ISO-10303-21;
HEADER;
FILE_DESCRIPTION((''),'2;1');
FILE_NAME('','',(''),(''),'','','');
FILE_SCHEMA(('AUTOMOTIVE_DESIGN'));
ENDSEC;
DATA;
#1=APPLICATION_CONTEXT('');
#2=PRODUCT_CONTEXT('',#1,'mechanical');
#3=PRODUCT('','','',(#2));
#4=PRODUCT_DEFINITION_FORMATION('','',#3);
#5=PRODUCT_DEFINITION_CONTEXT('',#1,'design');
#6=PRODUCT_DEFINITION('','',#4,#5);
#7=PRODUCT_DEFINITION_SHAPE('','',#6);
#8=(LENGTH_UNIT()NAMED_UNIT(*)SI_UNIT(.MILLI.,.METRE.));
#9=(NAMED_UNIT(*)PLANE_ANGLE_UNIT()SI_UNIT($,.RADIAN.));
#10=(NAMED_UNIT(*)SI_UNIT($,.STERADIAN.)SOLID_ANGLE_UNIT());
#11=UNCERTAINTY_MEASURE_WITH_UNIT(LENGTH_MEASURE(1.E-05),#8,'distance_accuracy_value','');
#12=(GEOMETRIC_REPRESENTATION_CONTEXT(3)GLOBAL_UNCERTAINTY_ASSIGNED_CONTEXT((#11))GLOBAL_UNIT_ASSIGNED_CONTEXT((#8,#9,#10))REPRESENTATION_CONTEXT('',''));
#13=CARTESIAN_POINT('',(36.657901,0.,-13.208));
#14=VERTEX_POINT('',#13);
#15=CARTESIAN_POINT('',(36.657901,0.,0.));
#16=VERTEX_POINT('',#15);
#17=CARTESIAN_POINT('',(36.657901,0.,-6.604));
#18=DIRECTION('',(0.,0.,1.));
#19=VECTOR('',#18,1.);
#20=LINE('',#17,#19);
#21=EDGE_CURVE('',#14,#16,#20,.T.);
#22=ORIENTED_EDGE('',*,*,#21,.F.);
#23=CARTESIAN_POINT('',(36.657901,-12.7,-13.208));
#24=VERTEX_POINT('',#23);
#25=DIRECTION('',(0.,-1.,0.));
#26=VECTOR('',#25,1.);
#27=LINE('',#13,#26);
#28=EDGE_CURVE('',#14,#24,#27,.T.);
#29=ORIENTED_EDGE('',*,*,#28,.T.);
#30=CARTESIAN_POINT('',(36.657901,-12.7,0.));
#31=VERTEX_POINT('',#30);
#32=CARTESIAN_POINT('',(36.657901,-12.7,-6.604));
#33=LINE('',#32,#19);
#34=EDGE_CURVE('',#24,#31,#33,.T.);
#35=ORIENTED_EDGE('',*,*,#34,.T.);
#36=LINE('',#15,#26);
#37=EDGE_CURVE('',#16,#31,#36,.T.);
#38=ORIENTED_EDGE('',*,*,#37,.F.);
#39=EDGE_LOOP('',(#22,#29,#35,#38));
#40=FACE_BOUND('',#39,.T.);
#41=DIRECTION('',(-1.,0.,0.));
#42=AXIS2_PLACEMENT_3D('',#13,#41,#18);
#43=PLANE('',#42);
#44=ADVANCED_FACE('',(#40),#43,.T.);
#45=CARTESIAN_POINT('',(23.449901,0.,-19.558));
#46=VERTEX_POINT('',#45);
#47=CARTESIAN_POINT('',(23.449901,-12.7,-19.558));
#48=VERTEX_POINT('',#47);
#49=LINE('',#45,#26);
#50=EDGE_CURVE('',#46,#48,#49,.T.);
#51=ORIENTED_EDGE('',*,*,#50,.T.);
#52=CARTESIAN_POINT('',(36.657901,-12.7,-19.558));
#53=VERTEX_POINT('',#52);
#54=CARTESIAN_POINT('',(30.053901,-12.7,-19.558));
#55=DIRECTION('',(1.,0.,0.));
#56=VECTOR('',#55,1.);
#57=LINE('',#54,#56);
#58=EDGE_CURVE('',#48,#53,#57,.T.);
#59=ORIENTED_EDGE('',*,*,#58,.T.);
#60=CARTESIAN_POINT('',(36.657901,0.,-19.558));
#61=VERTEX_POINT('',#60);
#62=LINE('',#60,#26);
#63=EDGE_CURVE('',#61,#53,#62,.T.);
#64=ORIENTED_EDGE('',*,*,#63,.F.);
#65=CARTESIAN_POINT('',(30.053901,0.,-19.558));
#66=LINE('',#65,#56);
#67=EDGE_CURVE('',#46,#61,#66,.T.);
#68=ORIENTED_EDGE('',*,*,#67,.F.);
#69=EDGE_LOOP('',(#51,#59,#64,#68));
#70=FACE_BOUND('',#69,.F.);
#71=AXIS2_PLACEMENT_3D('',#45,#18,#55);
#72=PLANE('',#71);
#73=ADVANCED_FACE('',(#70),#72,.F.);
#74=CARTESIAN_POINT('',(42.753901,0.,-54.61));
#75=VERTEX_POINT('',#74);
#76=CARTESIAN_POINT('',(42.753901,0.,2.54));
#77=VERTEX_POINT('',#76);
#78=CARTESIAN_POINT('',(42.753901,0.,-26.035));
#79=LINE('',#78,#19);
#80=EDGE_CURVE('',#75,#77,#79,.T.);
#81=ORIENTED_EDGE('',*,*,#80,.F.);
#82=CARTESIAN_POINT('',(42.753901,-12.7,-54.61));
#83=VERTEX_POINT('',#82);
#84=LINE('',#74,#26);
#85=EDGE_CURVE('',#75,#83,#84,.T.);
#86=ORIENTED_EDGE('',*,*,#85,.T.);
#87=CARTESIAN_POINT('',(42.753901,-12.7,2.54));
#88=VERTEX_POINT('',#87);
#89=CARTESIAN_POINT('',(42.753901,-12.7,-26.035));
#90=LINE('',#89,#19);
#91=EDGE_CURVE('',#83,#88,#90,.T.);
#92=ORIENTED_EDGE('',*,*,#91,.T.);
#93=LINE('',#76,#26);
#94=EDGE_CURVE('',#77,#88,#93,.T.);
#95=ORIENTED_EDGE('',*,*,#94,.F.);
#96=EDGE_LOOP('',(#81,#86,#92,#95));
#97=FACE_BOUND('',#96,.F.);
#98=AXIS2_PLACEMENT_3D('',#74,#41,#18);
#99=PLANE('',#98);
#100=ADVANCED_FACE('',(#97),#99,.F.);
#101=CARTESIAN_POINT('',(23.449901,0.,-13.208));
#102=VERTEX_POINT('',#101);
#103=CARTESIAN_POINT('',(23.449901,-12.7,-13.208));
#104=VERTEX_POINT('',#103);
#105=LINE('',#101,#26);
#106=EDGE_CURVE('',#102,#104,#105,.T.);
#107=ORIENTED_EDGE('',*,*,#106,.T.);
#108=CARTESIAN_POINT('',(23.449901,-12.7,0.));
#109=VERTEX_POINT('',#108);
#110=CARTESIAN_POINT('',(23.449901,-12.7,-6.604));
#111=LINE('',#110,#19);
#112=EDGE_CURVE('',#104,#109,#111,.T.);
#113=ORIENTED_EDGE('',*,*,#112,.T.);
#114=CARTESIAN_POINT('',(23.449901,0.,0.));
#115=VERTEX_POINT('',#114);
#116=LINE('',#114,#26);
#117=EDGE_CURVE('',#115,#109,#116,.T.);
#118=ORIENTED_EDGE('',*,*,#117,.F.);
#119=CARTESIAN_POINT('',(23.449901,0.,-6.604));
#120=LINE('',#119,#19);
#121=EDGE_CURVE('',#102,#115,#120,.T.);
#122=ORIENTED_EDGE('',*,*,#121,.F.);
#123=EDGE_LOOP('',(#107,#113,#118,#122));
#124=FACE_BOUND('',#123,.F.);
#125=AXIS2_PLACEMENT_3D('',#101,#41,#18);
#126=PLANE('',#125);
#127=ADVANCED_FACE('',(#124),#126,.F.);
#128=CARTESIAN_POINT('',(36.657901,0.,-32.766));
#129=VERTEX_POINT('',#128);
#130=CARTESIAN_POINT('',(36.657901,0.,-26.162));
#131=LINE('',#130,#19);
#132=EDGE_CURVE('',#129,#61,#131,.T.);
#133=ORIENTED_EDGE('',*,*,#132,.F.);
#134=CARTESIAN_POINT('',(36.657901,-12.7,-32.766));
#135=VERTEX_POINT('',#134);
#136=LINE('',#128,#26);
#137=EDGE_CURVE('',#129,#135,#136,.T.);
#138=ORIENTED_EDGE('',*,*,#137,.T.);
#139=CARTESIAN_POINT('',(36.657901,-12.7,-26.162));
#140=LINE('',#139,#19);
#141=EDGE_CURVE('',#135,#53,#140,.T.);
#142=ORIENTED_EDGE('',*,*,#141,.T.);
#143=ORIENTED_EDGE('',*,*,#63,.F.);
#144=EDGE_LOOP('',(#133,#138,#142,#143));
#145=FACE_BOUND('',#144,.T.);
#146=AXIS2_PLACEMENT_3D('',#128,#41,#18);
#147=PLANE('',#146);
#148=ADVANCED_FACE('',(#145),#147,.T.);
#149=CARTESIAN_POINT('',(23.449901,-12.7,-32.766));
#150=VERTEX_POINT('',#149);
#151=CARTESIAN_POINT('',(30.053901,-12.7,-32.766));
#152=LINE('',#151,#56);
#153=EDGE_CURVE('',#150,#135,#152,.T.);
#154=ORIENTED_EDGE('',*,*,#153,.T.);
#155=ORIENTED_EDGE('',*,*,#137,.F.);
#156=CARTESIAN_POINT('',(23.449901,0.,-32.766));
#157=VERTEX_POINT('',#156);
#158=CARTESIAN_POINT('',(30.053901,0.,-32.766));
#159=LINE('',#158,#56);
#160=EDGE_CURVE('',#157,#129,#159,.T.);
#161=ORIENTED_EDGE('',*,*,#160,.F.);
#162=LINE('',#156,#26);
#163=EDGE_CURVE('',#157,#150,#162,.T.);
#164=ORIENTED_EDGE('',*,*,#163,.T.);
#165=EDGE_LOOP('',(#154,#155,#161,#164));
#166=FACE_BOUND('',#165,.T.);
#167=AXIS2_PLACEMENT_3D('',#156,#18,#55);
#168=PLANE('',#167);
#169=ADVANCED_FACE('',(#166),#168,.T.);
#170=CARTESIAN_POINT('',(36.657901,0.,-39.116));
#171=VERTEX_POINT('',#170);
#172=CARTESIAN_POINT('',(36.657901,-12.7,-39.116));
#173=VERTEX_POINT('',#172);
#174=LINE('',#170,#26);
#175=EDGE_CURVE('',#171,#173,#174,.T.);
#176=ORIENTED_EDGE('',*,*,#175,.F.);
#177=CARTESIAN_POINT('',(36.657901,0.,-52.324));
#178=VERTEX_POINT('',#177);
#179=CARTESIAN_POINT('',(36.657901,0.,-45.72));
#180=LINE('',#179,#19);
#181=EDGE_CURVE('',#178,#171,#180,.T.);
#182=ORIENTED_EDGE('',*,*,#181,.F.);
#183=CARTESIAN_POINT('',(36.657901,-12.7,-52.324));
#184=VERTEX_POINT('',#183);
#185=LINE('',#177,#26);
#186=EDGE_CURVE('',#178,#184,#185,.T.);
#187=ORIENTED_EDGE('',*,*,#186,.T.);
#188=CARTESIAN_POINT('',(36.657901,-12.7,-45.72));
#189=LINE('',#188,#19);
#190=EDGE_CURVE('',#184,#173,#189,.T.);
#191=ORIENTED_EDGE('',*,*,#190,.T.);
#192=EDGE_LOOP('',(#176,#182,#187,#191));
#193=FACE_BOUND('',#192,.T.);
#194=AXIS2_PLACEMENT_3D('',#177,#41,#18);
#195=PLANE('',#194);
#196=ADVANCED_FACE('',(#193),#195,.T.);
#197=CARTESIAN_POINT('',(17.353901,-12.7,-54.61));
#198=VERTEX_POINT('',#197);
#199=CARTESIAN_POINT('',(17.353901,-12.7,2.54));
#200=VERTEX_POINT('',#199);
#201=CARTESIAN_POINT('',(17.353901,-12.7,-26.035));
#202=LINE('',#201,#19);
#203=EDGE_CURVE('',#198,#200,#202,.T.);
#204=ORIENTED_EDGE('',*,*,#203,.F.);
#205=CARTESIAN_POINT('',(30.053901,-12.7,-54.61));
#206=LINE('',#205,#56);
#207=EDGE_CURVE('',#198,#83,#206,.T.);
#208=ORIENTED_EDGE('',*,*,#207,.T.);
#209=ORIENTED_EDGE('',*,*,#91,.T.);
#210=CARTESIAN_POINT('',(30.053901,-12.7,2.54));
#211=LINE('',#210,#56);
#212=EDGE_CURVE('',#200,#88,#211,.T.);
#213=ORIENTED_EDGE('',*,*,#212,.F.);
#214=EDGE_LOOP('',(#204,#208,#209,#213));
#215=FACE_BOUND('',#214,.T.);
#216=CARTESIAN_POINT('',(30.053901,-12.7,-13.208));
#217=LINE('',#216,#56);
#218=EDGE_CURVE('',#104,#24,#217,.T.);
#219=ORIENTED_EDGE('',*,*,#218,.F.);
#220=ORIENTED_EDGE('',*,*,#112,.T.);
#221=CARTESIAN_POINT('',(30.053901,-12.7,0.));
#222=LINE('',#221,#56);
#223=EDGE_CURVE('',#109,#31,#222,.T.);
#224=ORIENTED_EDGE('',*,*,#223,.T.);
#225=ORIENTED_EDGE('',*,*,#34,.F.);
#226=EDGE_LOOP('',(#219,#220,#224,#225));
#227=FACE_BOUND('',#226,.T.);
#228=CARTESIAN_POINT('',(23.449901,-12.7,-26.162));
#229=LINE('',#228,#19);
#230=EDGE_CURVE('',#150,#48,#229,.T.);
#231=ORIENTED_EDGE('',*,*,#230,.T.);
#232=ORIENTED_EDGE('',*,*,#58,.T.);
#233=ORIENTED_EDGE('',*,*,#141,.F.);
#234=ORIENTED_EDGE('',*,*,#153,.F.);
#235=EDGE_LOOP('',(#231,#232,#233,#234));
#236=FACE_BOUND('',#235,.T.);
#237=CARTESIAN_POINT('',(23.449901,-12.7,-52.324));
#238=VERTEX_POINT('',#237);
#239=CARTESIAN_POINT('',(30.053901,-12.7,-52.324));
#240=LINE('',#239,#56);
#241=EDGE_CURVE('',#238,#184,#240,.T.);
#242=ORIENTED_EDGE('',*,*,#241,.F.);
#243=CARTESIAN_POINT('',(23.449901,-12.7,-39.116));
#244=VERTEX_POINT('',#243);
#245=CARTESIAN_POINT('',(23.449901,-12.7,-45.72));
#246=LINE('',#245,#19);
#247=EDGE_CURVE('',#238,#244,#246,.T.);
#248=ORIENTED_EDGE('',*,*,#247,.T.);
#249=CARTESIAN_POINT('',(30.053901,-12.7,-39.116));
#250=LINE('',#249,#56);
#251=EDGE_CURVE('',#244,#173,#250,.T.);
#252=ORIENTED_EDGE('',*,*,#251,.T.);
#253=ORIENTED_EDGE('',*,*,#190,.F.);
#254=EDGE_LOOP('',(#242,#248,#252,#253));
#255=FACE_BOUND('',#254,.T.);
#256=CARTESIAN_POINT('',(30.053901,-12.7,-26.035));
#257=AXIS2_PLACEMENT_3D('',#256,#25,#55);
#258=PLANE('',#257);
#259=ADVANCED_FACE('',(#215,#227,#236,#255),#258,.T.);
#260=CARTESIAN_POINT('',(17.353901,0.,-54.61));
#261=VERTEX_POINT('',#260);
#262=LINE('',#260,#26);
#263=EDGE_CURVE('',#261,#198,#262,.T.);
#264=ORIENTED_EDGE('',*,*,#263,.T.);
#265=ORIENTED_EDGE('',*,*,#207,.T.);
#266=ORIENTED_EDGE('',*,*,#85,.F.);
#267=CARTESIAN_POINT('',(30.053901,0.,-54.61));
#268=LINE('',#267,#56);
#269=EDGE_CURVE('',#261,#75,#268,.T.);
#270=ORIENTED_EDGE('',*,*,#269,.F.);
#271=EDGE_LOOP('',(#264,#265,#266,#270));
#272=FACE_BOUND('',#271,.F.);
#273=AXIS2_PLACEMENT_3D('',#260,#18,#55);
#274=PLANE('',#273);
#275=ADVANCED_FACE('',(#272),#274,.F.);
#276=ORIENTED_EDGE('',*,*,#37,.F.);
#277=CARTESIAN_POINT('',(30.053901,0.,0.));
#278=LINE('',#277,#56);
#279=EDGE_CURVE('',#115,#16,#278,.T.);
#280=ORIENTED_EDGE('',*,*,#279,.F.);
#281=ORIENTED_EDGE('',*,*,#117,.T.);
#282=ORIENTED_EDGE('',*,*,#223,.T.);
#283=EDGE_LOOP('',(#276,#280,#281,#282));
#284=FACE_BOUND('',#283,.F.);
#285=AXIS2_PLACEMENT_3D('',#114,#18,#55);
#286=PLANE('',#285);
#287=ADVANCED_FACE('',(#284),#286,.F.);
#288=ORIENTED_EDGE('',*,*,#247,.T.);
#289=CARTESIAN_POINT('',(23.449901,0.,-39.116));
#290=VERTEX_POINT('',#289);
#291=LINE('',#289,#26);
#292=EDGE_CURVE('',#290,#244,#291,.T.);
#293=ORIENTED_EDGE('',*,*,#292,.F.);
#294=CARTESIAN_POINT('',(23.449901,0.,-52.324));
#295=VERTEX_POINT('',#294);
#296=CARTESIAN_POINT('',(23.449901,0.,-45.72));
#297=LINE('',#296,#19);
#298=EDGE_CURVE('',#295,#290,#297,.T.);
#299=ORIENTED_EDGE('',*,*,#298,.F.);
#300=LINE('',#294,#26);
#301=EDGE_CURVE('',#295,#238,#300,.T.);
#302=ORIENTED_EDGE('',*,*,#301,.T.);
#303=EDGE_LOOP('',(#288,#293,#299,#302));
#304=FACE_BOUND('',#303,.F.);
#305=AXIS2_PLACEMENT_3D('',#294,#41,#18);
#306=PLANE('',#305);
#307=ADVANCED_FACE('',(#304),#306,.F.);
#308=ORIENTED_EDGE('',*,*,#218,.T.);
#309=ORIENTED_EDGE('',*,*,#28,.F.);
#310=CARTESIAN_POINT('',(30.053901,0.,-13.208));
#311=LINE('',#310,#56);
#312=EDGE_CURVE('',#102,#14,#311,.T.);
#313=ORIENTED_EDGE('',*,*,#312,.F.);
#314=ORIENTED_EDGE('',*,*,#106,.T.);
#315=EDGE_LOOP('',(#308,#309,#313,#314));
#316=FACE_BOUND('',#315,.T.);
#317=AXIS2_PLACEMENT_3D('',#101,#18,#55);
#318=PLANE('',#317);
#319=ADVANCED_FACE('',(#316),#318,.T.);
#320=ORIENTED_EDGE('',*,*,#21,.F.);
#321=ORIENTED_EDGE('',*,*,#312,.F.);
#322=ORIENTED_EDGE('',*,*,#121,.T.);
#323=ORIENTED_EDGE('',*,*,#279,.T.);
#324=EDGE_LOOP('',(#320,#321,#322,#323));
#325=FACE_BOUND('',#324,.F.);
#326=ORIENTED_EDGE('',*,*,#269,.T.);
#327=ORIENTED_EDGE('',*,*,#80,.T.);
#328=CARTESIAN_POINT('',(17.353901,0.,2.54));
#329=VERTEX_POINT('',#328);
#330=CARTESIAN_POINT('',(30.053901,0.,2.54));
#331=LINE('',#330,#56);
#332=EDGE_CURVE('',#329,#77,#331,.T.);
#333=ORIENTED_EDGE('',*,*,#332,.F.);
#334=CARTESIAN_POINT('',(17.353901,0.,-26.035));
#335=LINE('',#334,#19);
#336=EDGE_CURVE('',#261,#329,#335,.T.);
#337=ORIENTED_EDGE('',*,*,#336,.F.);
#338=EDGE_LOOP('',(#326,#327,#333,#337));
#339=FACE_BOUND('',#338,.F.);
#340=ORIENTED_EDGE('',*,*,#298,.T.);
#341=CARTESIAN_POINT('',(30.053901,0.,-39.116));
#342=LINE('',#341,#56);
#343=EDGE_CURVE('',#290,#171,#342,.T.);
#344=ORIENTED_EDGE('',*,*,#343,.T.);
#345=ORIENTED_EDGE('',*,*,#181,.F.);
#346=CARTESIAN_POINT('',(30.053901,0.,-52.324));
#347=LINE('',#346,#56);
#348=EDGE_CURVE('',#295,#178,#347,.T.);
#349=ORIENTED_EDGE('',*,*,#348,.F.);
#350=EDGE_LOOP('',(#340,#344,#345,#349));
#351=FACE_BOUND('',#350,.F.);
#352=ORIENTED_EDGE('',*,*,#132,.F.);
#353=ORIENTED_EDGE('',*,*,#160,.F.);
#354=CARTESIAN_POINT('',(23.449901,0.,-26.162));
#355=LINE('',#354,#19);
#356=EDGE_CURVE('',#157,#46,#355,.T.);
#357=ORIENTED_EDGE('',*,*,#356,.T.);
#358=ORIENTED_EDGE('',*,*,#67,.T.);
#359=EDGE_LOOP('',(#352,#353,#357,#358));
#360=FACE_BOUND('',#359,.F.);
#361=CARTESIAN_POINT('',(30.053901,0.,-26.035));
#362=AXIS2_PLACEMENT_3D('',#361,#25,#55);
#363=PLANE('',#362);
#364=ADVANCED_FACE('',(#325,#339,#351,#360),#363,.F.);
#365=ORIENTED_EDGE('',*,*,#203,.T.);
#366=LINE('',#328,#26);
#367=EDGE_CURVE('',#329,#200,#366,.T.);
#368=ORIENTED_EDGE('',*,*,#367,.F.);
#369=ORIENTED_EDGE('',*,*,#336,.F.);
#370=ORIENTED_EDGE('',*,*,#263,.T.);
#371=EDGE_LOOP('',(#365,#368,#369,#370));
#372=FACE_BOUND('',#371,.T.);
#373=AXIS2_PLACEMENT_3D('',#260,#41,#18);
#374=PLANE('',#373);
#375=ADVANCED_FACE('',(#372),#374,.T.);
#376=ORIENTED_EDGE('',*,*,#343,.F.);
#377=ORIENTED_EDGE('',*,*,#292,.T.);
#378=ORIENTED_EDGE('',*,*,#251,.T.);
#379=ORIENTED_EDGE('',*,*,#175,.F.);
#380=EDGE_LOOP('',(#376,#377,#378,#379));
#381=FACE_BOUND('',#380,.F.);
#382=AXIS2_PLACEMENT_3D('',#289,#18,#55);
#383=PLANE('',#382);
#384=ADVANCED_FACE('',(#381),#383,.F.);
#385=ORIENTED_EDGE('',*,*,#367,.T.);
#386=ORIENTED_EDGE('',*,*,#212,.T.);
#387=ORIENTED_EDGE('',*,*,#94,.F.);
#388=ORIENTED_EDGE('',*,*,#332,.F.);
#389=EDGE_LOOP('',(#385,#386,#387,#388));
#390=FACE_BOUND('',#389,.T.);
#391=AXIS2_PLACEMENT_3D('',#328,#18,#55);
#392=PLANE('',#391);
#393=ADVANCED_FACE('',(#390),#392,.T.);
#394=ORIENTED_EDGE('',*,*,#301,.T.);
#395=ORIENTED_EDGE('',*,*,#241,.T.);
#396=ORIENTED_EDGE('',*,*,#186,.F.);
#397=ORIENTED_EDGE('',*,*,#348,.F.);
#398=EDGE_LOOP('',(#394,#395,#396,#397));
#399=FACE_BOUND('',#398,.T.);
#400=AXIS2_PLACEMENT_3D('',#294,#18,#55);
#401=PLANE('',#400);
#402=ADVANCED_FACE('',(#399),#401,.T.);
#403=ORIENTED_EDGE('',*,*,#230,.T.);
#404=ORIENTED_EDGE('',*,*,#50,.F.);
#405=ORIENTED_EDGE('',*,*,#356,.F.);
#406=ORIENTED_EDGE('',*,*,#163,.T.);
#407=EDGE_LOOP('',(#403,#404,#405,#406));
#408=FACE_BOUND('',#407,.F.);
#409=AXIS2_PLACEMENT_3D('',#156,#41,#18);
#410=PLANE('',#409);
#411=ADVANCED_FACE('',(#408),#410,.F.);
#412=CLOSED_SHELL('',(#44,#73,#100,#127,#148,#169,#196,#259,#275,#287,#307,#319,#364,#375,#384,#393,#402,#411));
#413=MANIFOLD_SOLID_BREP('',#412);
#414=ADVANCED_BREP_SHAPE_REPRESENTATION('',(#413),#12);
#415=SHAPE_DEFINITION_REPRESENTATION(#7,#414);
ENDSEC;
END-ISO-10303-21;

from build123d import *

# Parameters (mm, degrees)
F0_W     = 25.4
F0_H     = 57.15
F0_W_2   = 13.208
F0_H_2   = 13.208
F1_DEPTH = 12.7


with BuildPart() as f1:
    # F0 (on Front) → F1 (new body)
    with BuildSketch(Plane.XZ):
        with Locations((30.053901, -26.035)):
            Rectangle(F0_W, F0_H)
        with Locations((30.053901, -26.162)):
            Rectangle(F0_W_2, F0_H_2, mode=Mode.SUBTRACT)
        with Locations((30.053901, -45.72)):
            Rectangle(F0_W_2, F0_H_2, mode=Mode.SUBTRACT)
        with Locations((30.053901, -6.604)):
            Rectangle(F0_W_2, F0_H_2, mode=Mode.SUBTRACT)
    extrude(amount=F1_DEPTH)


solid = f1.part
